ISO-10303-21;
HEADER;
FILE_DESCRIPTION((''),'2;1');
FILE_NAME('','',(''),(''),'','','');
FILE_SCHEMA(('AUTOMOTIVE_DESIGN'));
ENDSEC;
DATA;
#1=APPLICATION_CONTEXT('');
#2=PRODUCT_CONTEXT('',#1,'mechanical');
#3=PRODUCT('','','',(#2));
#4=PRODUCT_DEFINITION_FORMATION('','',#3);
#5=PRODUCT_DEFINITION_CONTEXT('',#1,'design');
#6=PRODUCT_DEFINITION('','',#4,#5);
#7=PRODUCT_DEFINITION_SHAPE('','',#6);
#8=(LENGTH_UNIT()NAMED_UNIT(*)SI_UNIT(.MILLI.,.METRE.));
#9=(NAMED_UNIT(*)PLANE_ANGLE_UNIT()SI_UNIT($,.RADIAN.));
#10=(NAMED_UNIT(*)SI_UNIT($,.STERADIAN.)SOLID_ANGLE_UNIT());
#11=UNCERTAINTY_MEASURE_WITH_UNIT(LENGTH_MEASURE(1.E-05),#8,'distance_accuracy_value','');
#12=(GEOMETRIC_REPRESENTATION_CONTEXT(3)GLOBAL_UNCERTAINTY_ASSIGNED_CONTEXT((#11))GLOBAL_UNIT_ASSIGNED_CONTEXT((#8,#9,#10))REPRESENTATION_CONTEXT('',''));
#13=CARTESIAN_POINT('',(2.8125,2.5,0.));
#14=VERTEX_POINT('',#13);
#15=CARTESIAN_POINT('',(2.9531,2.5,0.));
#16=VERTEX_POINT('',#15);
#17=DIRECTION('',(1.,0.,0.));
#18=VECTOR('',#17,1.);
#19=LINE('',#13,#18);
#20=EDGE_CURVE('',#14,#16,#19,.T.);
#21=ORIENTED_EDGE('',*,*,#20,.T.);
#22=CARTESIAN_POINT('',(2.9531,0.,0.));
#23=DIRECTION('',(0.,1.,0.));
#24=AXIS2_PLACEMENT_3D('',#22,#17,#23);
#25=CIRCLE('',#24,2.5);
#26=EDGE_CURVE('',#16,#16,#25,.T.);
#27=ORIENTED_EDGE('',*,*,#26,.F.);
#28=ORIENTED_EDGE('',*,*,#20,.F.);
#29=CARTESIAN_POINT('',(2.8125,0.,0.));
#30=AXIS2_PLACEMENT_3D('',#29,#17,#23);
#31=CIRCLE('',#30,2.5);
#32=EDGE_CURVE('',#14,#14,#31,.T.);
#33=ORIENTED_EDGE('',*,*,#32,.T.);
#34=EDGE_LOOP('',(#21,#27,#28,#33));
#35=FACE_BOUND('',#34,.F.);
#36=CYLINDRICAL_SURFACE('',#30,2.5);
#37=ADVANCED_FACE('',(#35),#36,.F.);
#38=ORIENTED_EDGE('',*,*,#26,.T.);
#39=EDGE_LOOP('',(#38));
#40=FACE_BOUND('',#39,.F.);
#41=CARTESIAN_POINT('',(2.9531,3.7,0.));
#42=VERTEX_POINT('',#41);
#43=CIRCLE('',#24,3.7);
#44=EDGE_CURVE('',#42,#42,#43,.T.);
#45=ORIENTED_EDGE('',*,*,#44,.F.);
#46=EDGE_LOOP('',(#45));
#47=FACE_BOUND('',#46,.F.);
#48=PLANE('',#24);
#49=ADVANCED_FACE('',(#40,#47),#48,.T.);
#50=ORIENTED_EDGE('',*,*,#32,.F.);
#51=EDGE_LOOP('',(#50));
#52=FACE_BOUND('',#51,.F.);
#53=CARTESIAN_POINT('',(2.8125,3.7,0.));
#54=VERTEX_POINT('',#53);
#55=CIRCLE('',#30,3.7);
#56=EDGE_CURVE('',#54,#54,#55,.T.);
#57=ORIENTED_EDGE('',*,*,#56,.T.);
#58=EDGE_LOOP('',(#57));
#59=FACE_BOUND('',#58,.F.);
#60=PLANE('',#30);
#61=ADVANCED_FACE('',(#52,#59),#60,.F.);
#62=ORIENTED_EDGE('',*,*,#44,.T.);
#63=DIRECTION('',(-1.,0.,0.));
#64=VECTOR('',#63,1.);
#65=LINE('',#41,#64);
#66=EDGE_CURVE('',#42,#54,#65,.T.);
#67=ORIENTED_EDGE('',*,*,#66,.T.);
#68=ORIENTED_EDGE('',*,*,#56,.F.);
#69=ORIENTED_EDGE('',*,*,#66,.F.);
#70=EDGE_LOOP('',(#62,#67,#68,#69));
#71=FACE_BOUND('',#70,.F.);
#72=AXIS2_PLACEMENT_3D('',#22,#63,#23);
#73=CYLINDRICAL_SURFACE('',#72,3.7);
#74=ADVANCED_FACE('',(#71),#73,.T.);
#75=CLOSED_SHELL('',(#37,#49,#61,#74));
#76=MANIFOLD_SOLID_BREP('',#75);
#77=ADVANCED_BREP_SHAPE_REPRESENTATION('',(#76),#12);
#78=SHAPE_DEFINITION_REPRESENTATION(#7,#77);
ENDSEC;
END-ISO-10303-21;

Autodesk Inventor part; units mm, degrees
sketch "Sketch_1" plane through (0, 0, 0) normal (0, 0, 1) x (1, 0, 0)
  line L0 (2.9531, 0) -> (2.8125, 0)
  line L1 (2.8125, 2.5) -> (2.9531, 2.5)
  line L2 (2.9531, 2.5) -> (2.9531, 3.7)
  line L3 (2.9531, 3.7) -> (2.8125, 3.7)
  line L4 (2.8125, 3.7) -> (2.8125, 2.5)
revolve "Revolution1" add sketch "Sketch_1" angle 360 about axis through (2.9531, 0, 0) along (1, 0, 0)
ref_plane "ip_st_1_XY" through (2.8125, 0, 0) normal (1, 0, 0) x (0, 0, -1)
ref_plane "ip_st_1_YZ" through (2.8125, 0, 0) normal (0, 0, -1) x (0, 1, 0)
ref_plane "ip_st_1_ZX" through (2.8125, 0, 0) normal (0, 1, 0) x (1, 0, 0)
properties part number "MF84ZZ Shield2"
